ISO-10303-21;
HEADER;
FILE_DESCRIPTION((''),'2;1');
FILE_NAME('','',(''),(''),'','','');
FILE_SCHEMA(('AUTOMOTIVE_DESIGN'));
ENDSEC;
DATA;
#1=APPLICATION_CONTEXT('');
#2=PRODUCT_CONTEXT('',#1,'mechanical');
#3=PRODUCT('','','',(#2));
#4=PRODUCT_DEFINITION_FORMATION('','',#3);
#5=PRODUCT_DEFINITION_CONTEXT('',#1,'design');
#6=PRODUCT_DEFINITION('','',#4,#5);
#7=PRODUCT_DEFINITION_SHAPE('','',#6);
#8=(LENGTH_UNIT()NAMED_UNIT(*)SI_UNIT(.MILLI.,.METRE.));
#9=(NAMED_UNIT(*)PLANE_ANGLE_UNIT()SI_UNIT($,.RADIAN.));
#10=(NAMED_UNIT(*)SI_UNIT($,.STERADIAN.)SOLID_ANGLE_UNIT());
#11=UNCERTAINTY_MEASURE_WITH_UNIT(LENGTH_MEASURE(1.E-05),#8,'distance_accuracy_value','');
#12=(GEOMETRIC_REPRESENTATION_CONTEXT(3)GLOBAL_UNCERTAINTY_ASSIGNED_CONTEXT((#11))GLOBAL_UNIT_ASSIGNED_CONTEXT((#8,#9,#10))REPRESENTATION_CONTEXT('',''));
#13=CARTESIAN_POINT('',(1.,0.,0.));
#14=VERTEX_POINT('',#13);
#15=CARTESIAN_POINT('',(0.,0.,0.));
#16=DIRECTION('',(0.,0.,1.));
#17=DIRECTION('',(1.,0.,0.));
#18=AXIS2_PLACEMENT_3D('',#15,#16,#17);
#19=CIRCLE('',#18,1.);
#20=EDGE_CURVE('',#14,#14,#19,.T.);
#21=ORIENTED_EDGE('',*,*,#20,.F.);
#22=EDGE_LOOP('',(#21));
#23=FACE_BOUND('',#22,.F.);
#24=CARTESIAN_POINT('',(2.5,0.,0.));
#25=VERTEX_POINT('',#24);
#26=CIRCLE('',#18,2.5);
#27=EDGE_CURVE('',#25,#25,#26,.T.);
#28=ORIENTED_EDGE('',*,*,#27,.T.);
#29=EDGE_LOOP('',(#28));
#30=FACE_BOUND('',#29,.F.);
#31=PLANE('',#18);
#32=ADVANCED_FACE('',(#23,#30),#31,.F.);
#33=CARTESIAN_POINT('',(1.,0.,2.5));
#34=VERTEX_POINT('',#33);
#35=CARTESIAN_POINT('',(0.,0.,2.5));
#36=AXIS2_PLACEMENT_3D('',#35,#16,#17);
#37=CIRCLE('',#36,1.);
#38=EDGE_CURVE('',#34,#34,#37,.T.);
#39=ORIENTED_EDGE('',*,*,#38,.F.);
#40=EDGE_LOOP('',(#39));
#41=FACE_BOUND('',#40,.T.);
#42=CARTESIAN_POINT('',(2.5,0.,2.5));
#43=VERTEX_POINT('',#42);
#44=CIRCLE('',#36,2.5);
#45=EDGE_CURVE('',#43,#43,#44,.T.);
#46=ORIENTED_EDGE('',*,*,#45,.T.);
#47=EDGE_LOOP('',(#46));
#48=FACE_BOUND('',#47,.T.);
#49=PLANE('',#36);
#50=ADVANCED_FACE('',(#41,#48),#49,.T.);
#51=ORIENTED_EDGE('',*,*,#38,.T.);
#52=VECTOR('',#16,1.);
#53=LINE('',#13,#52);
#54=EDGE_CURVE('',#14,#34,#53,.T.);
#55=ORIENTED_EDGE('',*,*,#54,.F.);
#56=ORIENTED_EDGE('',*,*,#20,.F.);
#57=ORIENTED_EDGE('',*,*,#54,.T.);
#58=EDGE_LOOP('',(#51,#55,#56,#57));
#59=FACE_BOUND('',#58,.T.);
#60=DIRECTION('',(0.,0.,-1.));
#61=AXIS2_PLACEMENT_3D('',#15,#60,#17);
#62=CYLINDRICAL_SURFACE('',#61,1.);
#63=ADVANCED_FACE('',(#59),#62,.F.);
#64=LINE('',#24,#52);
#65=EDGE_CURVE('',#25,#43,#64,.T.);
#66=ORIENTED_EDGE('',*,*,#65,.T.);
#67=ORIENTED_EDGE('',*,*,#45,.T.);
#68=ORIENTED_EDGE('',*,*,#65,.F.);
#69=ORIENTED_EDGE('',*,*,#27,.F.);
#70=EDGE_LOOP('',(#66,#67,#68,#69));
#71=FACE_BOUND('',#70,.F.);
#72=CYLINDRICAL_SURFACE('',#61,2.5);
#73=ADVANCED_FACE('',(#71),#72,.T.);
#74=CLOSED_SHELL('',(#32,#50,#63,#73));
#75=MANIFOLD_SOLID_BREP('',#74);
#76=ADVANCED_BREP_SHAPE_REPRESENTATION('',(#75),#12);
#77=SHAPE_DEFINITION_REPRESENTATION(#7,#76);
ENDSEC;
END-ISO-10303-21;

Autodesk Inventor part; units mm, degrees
ref_plane "YZ Plane" through (0, 0, 0) normal (1, 0, 0) x (0, 1, 0)
ref_plane "XZ Plane" through (0, 0, 0) normal (0, 1, 0) x (-1, 0, 0)
ref_plane "XY Plane" through (0, 0, 0) normal (0, 0, 1) x (1, 0, 0)
sketch "Эскиз1" plane through (0, 0, 0) normal (0, 0, 1) x (1, 0, 0)
  circle A0 centre (0, 0) radius 1
  circle A1 centre (0, 0) radius 2.5
  dimension "d0" = 2
  dimension "d1" = 5
extrude "Выдавливание1" add sketch "Эскиз1" along normal blind 2.5
properties part number "Подшипник 2 5 2,5"
